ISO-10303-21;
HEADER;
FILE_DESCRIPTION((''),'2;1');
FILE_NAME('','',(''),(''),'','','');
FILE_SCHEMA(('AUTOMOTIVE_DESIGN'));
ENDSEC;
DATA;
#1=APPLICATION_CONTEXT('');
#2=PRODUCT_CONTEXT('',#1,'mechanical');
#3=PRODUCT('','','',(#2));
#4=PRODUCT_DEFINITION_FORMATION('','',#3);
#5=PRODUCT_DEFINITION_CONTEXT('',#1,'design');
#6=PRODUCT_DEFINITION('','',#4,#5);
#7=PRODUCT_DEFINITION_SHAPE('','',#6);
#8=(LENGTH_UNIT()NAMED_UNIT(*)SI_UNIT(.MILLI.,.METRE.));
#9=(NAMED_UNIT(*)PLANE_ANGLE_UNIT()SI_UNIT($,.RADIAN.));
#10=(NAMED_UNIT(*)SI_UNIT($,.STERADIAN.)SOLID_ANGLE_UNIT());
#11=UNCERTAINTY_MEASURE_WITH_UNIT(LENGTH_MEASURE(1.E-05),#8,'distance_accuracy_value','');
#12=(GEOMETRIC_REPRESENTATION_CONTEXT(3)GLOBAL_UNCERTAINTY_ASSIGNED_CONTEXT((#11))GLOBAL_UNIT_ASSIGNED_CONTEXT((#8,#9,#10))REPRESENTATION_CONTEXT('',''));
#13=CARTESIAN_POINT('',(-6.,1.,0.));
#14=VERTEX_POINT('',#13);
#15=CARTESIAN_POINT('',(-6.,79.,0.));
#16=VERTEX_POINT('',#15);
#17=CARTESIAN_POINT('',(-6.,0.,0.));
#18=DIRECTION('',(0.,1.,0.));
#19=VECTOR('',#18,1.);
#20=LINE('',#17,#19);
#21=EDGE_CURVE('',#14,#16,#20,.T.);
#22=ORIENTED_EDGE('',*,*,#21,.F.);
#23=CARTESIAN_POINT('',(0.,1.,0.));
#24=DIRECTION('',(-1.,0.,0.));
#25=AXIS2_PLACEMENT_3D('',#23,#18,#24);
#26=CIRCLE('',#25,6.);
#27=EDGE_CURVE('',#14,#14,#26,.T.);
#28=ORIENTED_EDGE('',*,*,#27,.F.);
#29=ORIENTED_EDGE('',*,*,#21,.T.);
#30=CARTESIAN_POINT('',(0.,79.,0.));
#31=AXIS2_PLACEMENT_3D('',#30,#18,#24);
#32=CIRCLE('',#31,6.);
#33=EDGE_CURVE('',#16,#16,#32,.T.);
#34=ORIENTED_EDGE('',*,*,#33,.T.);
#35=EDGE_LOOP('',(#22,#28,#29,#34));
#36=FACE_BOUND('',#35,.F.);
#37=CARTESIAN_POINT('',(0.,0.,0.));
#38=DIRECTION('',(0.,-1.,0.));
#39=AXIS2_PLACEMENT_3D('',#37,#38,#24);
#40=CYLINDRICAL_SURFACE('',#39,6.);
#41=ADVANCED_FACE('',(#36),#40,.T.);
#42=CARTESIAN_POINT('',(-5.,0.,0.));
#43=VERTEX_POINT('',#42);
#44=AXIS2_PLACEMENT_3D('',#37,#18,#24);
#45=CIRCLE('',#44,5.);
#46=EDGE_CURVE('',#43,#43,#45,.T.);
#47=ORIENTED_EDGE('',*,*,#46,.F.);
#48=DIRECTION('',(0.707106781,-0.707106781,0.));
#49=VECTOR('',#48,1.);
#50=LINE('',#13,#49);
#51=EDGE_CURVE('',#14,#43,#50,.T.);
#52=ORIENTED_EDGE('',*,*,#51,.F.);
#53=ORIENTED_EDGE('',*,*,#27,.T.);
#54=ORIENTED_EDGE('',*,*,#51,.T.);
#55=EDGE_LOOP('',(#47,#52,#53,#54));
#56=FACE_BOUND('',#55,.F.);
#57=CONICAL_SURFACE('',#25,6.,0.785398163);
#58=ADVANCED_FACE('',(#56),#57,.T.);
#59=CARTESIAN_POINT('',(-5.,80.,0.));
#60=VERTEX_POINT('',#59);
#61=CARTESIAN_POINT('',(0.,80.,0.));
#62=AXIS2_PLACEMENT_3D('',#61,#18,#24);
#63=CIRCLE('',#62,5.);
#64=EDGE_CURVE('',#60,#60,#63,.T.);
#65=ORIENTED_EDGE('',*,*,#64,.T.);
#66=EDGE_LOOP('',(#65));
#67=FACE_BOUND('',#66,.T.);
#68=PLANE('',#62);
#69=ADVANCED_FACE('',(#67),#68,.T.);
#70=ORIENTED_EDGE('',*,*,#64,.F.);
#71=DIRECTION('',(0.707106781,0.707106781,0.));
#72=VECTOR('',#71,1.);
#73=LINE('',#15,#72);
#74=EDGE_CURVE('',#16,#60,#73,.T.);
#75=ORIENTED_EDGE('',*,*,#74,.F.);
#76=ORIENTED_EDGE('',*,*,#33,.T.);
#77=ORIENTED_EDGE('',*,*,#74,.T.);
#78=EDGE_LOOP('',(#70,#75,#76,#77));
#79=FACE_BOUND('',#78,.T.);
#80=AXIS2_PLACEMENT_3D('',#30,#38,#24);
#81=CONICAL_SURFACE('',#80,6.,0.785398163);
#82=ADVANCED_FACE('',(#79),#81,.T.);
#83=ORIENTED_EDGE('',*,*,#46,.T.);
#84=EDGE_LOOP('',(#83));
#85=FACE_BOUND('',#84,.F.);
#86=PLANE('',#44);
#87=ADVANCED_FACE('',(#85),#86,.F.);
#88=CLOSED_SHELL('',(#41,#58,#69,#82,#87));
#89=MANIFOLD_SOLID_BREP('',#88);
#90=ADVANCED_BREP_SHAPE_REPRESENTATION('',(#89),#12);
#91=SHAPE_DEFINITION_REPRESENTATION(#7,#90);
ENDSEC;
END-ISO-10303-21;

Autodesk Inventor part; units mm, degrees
ref_plane "YZ Plane" through (0, 0, 0) normal (1, 0, 0) x (0, 1, 0)
ref_plane "XZ Plane" through (0, 0, 0) normal (0, 1, 0) x (-1, 0, 0)
ref_plane "XY Plane" through (0, 0, 0) normal (0, 0, 1) x (1, 0, 0)
sketch "Skizze1" plane through (0, 0, 0) normal (0, 1, 0) x (-1, 0, 0)
  circle A0 centre (0, 0) radius 6
  dimension "d0" = 12
extrude "Extrusion1" add sketch "Skizze1" along normal blind 80
chamfer "Fasen1" distance 1 angle 45 2 edges at (6, 80, 0) (6, 0, 0)
properties part number "motor_driveshaft"
